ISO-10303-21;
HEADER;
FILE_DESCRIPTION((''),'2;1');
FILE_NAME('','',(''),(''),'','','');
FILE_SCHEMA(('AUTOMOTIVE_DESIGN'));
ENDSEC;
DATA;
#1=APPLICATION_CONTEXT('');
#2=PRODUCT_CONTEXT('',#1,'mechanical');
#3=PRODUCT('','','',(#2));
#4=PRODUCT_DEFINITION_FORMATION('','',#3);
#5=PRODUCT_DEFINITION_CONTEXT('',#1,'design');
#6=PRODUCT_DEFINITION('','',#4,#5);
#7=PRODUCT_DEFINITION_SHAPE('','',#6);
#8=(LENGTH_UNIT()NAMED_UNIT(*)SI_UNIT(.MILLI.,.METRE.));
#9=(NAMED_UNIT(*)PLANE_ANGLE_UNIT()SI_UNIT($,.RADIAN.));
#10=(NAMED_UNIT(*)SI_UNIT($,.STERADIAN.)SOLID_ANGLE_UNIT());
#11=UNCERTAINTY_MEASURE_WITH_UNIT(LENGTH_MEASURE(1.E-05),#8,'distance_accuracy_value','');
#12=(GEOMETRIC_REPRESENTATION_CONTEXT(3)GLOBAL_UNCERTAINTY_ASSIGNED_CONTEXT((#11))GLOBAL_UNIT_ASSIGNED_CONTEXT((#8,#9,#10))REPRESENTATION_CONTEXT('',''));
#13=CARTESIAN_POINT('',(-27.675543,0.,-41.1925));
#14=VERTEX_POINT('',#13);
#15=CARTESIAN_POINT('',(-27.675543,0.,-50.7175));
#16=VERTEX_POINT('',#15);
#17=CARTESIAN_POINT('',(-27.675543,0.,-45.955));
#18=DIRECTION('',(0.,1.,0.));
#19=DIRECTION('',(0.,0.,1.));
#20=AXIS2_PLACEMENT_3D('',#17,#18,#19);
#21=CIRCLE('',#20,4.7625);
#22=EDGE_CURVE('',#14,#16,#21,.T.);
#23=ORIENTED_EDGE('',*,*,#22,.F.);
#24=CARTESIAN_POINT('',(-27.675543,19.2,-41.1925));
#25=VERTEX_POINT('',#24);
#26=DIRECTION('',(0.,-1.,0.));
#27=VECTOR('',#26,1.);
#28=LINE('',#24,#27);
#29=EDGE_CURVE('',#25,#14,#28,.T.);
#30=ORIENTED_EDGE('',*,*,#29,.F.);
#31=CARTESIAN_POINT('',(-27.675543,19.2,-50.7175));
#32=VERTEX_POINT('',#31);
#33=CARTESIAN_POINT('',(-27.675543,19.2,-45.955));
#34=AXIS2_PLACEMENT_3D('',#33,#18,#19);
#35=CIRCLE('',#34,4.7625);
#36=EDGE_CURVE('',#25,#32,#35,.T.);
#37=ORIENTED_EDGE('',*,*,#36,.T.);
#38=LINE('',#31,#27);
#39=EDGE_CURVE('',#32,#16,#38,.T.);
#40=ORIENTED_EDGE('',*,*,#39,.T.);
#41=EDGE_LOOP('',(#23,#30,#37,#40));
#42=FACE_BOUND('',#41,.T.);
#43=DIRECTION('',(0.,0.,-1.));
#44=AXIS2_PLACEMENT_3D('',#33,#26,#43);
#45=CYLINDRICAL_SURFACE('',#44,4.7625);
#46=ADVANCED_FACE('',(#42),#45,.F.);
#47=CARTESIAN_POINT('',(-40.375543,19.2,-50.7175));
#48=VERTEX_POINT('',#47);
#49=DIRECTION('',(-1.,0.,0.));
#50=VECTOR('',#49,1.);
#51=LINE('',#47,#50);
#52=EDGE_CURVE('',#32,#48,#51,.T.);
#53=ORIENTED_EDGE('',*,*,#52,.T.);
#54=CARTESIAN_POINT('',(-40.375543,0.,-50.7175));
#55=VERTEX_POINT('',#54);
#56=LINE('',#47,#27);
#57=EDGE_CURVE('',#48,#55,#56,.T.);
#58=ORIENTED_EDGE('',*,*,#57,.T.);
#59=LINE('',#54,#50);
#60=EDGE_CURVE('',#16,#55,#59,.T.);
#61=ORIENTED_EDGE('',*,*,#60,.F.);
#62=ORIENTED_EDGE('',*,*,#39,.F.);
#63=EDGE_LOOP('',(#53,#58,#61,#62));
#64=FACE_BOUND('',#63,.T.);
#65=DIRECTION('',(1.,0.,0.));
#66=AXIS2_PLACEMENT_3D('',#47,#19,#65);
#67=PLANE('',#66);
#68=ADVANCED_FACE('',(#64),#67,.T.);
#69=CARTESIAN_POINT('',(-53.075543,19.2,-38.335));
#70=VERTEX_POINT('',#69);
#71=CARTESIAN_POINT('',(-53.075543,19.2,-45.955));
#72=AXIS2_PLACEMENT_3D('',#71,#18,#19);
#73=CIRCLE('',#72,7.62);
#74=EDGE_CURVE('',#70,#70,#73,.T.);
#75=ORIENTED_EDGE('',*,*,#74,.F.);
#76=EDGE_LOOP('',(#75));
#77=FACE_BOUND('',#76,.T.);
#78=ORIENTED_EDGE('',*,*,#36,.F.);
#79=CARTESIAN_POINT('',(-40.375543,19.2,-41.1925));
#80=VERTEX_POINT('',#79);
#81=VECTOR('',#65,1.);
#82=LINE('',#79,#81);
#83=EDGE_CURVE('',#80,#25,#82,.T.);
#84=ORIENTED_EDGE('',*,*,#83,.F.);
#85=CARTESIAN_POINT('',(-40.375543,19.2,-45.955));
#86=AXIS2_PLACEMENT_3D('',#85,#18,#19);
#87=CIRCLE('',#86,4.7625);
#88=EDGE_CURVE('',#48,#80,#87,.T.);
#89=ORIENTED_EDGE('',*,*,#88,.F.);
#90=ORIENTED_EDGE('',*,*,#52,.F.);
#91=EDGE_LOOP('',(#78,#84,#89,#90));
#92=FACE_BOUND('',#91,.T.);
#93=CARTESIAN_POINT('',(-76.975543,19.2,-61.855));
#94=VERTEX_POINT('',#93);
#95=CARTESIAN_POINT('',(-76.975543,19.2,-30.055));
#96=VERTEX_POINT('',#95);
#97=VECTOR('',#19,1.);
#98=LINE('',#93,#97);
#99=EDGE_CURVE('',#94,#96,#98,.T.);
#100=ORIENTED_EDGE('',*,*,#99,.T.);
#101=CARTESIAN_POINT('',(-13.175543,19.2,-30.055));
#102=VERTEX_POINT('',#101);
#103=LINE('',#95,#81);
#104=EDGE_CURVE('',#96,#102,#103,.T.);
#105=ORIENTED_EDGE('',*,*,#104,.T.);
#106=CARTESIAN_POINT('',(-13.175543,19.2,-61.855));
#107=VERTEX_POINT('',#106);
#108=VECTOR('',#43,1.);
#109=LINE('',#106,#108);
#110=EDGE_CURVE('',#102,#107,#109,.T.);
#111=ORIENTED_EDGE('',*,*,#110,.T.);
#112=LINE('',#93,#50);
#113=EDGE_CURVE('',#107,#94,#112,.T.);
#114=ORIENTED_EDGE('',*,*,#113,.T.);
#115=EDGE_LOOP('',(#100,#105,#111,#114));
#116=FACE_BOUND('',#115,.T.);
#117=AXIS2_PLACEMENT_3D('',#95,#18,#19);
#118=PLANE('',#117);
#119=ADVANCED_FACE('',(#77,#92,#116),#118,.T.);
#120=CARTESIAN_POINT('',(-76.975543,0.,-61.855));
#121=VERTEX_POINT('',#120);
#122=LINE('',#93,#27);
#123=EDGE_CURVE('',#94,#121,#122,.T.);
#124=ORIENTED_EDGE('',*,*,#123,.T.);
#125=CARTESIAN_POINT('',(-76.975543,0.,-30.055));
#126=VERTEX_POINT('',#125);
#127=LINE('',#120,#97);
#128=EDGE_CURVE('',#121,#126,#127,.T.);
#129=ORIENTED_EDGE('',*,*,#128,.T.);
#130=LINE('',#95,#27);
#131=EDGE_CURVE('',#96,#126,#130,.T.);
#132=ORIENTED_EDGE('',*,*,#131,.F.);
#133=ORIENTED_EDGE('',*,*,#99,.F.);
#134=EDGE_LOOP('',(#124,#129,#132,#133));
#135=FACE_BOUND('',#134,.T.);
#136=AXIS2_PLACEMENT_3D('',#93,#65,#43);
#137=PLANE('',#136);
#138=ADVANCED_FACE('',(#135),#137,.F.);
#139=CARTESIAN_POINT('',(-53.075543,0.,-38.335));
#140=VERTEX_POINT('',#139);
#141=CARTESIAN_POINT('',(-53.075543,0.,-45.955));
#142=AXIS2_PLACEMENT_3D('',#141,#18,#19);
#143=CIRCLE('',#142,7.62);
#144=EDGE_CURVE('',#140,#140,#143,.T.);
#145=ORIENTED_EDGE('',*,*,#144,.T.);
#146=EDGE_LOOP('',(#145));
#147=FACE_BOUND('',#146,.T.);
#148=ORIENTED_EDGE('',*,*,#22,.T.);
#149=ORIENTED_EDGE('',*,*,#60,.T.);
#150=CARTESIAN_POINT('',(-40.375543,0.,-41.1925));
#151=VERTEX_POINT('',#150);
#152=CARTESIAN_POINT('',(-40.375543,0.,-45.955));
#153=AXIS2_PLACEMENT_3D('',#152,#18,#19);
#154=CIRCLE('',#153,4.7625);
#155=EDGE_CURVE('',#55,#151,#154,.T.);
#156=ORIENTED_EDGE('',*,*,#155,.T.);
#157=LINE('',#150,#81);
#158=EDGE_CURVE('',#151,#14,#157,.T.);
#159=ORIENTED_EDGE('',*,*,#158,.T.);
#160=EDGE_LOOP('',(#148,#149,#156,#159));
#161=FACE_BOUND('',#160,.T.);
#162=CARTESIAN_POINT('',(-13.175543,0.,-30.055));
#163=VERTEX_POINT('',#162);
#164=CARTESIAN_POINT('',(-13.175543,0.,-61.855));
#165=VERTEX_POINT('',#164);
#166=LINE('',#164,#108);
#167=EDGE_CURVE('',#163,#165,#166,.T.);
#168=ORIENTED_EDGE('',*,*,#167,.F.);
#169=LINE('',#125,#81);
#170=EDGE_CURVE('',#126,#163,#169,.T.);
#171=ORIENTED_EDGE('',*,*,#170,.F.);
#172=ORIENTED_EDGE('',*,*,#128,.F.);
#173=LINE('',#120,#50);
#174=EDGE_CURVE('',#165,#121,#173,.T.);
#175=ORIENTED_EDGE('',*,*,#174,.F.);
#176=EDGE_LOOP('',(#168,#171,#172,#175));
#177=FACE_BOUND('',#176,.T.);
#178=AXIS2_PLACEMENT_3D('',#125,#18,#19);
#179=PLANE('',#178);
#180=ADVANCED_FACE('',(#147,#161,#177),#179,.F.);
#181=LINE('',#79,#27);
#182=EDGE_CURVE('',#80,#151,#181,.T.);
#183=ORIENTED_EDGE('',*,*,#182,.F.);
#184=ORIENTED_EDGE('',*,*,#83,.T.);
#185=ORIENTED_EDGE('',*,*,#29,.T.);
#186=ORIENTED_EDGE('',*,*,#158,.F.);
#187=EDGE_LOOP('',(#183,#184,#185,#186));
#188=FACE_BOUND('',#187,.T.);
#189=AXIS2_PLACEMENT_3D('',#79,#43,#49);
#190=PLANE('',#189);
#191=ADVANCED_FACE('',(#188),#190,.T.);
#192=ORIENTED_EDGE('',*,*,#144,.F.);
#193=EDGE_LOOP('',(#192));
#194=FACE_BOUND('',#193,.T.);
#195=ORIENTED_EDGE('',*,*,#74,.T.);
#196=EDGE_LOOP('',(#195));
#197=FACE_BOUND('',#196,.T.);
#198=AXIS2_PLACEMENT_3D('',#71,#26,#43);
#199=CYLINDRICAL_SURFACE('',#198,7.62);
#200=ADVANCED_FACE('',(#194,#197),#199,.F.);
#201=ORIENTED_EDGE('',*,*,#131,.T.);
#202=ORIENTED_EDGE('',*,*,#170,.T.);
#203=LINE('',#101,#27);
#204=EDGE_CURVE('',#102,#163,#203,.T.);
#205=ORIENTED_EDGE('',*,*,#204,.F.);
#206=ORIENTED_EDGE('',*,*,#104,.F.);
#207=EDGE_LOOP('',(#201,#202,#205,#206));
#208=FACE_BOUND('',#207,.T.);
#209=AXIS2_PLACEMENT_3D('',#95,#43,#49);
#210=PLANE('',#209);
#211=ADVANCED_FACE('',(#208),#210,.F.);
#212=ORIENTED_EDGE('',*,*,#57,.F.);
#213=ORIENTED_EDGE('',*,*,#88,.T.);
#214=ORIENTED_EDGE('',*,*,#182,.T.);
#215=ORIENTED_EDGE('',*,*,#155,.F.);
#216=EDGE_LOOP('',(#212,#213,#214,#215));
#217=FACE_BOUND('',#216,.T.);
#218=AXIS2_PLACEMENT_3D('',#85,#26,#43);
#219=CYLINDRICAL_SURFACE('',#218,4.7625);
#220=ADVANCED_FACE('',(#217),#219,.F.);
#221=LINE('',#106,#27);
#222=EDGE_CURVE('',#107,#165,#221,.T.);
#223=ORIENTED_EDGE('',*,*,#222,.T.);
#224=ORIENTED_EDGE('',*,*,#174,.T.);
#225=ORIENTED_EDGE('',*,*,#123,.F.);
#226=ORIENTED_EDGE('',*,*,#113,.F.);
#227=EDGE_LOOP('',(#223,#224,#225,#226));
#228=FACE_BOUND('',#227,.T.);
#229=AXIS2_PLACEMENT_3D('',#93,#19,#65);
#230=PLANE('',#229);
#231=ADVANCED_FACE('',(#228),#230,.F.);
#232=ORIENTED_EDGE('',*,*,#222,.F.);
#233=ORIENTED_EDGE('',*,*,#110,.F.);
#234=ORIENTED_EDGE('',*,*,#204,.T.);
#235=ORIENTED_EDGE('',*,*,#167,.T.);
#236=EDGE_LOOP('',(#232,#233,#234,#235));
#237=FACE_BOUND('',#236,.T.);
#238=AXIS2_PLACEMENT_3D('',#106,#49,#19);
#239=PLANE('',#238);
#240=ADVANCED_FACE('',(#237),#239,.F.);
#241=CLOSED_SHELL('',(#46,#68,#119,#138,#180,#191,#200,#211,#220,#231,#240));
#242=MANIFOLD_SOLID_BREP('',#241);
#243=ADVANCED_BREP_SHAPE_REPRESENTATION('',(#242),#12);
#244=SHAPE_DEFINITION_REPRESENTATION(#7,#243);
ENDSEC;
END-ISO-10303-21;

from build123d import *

# Parameters (mm, degrees)
SKETCH1_W           = 63.8
SKETCH1_H           = 31.8
SKETCH1_R           = 7.62
BOSS_EXTRUDE1_DEPTH = 19.2


with BuildPart() as part:
    # Sketch1 → Boss-Extrude1 (new body)
    with BuildSketch(Plane(origin=(0, 0, 0), x_dir=(1, 0, 0), z_dir=(0, 1, 0))):
        with Locations((-45.075543036, 45.955000213)):
            Rectangle(SKETCH1_W, SKETCH1_H)
        with Locations((-53.075543036, 45.955000213)):
            Circle(SKETCH1_R, mode=Mode.SUBTRACT)
        with BuildLine():
            Line((-40.375543036, 50.717500213), (-27.675543036, 50.717500213))
            ThreePointArc((-27.675543036, 50.717500213), (-22.913043036, 45.955000213), (-27.675543036, 41.192500213))
            Line((-27.675543036, 41.192500213), (-40.375543036, 41.192500213))
            ThreePointArc((-40.375543036, 41.192500213), (-45.138043036, 45.955000213), (-40.375543036, 50.717500213))
        make_face(mode=Mode.SUBTRACT)
    extrude(amount=BOSS_EXTRUDE1_DEPTH)


solid = part.part
